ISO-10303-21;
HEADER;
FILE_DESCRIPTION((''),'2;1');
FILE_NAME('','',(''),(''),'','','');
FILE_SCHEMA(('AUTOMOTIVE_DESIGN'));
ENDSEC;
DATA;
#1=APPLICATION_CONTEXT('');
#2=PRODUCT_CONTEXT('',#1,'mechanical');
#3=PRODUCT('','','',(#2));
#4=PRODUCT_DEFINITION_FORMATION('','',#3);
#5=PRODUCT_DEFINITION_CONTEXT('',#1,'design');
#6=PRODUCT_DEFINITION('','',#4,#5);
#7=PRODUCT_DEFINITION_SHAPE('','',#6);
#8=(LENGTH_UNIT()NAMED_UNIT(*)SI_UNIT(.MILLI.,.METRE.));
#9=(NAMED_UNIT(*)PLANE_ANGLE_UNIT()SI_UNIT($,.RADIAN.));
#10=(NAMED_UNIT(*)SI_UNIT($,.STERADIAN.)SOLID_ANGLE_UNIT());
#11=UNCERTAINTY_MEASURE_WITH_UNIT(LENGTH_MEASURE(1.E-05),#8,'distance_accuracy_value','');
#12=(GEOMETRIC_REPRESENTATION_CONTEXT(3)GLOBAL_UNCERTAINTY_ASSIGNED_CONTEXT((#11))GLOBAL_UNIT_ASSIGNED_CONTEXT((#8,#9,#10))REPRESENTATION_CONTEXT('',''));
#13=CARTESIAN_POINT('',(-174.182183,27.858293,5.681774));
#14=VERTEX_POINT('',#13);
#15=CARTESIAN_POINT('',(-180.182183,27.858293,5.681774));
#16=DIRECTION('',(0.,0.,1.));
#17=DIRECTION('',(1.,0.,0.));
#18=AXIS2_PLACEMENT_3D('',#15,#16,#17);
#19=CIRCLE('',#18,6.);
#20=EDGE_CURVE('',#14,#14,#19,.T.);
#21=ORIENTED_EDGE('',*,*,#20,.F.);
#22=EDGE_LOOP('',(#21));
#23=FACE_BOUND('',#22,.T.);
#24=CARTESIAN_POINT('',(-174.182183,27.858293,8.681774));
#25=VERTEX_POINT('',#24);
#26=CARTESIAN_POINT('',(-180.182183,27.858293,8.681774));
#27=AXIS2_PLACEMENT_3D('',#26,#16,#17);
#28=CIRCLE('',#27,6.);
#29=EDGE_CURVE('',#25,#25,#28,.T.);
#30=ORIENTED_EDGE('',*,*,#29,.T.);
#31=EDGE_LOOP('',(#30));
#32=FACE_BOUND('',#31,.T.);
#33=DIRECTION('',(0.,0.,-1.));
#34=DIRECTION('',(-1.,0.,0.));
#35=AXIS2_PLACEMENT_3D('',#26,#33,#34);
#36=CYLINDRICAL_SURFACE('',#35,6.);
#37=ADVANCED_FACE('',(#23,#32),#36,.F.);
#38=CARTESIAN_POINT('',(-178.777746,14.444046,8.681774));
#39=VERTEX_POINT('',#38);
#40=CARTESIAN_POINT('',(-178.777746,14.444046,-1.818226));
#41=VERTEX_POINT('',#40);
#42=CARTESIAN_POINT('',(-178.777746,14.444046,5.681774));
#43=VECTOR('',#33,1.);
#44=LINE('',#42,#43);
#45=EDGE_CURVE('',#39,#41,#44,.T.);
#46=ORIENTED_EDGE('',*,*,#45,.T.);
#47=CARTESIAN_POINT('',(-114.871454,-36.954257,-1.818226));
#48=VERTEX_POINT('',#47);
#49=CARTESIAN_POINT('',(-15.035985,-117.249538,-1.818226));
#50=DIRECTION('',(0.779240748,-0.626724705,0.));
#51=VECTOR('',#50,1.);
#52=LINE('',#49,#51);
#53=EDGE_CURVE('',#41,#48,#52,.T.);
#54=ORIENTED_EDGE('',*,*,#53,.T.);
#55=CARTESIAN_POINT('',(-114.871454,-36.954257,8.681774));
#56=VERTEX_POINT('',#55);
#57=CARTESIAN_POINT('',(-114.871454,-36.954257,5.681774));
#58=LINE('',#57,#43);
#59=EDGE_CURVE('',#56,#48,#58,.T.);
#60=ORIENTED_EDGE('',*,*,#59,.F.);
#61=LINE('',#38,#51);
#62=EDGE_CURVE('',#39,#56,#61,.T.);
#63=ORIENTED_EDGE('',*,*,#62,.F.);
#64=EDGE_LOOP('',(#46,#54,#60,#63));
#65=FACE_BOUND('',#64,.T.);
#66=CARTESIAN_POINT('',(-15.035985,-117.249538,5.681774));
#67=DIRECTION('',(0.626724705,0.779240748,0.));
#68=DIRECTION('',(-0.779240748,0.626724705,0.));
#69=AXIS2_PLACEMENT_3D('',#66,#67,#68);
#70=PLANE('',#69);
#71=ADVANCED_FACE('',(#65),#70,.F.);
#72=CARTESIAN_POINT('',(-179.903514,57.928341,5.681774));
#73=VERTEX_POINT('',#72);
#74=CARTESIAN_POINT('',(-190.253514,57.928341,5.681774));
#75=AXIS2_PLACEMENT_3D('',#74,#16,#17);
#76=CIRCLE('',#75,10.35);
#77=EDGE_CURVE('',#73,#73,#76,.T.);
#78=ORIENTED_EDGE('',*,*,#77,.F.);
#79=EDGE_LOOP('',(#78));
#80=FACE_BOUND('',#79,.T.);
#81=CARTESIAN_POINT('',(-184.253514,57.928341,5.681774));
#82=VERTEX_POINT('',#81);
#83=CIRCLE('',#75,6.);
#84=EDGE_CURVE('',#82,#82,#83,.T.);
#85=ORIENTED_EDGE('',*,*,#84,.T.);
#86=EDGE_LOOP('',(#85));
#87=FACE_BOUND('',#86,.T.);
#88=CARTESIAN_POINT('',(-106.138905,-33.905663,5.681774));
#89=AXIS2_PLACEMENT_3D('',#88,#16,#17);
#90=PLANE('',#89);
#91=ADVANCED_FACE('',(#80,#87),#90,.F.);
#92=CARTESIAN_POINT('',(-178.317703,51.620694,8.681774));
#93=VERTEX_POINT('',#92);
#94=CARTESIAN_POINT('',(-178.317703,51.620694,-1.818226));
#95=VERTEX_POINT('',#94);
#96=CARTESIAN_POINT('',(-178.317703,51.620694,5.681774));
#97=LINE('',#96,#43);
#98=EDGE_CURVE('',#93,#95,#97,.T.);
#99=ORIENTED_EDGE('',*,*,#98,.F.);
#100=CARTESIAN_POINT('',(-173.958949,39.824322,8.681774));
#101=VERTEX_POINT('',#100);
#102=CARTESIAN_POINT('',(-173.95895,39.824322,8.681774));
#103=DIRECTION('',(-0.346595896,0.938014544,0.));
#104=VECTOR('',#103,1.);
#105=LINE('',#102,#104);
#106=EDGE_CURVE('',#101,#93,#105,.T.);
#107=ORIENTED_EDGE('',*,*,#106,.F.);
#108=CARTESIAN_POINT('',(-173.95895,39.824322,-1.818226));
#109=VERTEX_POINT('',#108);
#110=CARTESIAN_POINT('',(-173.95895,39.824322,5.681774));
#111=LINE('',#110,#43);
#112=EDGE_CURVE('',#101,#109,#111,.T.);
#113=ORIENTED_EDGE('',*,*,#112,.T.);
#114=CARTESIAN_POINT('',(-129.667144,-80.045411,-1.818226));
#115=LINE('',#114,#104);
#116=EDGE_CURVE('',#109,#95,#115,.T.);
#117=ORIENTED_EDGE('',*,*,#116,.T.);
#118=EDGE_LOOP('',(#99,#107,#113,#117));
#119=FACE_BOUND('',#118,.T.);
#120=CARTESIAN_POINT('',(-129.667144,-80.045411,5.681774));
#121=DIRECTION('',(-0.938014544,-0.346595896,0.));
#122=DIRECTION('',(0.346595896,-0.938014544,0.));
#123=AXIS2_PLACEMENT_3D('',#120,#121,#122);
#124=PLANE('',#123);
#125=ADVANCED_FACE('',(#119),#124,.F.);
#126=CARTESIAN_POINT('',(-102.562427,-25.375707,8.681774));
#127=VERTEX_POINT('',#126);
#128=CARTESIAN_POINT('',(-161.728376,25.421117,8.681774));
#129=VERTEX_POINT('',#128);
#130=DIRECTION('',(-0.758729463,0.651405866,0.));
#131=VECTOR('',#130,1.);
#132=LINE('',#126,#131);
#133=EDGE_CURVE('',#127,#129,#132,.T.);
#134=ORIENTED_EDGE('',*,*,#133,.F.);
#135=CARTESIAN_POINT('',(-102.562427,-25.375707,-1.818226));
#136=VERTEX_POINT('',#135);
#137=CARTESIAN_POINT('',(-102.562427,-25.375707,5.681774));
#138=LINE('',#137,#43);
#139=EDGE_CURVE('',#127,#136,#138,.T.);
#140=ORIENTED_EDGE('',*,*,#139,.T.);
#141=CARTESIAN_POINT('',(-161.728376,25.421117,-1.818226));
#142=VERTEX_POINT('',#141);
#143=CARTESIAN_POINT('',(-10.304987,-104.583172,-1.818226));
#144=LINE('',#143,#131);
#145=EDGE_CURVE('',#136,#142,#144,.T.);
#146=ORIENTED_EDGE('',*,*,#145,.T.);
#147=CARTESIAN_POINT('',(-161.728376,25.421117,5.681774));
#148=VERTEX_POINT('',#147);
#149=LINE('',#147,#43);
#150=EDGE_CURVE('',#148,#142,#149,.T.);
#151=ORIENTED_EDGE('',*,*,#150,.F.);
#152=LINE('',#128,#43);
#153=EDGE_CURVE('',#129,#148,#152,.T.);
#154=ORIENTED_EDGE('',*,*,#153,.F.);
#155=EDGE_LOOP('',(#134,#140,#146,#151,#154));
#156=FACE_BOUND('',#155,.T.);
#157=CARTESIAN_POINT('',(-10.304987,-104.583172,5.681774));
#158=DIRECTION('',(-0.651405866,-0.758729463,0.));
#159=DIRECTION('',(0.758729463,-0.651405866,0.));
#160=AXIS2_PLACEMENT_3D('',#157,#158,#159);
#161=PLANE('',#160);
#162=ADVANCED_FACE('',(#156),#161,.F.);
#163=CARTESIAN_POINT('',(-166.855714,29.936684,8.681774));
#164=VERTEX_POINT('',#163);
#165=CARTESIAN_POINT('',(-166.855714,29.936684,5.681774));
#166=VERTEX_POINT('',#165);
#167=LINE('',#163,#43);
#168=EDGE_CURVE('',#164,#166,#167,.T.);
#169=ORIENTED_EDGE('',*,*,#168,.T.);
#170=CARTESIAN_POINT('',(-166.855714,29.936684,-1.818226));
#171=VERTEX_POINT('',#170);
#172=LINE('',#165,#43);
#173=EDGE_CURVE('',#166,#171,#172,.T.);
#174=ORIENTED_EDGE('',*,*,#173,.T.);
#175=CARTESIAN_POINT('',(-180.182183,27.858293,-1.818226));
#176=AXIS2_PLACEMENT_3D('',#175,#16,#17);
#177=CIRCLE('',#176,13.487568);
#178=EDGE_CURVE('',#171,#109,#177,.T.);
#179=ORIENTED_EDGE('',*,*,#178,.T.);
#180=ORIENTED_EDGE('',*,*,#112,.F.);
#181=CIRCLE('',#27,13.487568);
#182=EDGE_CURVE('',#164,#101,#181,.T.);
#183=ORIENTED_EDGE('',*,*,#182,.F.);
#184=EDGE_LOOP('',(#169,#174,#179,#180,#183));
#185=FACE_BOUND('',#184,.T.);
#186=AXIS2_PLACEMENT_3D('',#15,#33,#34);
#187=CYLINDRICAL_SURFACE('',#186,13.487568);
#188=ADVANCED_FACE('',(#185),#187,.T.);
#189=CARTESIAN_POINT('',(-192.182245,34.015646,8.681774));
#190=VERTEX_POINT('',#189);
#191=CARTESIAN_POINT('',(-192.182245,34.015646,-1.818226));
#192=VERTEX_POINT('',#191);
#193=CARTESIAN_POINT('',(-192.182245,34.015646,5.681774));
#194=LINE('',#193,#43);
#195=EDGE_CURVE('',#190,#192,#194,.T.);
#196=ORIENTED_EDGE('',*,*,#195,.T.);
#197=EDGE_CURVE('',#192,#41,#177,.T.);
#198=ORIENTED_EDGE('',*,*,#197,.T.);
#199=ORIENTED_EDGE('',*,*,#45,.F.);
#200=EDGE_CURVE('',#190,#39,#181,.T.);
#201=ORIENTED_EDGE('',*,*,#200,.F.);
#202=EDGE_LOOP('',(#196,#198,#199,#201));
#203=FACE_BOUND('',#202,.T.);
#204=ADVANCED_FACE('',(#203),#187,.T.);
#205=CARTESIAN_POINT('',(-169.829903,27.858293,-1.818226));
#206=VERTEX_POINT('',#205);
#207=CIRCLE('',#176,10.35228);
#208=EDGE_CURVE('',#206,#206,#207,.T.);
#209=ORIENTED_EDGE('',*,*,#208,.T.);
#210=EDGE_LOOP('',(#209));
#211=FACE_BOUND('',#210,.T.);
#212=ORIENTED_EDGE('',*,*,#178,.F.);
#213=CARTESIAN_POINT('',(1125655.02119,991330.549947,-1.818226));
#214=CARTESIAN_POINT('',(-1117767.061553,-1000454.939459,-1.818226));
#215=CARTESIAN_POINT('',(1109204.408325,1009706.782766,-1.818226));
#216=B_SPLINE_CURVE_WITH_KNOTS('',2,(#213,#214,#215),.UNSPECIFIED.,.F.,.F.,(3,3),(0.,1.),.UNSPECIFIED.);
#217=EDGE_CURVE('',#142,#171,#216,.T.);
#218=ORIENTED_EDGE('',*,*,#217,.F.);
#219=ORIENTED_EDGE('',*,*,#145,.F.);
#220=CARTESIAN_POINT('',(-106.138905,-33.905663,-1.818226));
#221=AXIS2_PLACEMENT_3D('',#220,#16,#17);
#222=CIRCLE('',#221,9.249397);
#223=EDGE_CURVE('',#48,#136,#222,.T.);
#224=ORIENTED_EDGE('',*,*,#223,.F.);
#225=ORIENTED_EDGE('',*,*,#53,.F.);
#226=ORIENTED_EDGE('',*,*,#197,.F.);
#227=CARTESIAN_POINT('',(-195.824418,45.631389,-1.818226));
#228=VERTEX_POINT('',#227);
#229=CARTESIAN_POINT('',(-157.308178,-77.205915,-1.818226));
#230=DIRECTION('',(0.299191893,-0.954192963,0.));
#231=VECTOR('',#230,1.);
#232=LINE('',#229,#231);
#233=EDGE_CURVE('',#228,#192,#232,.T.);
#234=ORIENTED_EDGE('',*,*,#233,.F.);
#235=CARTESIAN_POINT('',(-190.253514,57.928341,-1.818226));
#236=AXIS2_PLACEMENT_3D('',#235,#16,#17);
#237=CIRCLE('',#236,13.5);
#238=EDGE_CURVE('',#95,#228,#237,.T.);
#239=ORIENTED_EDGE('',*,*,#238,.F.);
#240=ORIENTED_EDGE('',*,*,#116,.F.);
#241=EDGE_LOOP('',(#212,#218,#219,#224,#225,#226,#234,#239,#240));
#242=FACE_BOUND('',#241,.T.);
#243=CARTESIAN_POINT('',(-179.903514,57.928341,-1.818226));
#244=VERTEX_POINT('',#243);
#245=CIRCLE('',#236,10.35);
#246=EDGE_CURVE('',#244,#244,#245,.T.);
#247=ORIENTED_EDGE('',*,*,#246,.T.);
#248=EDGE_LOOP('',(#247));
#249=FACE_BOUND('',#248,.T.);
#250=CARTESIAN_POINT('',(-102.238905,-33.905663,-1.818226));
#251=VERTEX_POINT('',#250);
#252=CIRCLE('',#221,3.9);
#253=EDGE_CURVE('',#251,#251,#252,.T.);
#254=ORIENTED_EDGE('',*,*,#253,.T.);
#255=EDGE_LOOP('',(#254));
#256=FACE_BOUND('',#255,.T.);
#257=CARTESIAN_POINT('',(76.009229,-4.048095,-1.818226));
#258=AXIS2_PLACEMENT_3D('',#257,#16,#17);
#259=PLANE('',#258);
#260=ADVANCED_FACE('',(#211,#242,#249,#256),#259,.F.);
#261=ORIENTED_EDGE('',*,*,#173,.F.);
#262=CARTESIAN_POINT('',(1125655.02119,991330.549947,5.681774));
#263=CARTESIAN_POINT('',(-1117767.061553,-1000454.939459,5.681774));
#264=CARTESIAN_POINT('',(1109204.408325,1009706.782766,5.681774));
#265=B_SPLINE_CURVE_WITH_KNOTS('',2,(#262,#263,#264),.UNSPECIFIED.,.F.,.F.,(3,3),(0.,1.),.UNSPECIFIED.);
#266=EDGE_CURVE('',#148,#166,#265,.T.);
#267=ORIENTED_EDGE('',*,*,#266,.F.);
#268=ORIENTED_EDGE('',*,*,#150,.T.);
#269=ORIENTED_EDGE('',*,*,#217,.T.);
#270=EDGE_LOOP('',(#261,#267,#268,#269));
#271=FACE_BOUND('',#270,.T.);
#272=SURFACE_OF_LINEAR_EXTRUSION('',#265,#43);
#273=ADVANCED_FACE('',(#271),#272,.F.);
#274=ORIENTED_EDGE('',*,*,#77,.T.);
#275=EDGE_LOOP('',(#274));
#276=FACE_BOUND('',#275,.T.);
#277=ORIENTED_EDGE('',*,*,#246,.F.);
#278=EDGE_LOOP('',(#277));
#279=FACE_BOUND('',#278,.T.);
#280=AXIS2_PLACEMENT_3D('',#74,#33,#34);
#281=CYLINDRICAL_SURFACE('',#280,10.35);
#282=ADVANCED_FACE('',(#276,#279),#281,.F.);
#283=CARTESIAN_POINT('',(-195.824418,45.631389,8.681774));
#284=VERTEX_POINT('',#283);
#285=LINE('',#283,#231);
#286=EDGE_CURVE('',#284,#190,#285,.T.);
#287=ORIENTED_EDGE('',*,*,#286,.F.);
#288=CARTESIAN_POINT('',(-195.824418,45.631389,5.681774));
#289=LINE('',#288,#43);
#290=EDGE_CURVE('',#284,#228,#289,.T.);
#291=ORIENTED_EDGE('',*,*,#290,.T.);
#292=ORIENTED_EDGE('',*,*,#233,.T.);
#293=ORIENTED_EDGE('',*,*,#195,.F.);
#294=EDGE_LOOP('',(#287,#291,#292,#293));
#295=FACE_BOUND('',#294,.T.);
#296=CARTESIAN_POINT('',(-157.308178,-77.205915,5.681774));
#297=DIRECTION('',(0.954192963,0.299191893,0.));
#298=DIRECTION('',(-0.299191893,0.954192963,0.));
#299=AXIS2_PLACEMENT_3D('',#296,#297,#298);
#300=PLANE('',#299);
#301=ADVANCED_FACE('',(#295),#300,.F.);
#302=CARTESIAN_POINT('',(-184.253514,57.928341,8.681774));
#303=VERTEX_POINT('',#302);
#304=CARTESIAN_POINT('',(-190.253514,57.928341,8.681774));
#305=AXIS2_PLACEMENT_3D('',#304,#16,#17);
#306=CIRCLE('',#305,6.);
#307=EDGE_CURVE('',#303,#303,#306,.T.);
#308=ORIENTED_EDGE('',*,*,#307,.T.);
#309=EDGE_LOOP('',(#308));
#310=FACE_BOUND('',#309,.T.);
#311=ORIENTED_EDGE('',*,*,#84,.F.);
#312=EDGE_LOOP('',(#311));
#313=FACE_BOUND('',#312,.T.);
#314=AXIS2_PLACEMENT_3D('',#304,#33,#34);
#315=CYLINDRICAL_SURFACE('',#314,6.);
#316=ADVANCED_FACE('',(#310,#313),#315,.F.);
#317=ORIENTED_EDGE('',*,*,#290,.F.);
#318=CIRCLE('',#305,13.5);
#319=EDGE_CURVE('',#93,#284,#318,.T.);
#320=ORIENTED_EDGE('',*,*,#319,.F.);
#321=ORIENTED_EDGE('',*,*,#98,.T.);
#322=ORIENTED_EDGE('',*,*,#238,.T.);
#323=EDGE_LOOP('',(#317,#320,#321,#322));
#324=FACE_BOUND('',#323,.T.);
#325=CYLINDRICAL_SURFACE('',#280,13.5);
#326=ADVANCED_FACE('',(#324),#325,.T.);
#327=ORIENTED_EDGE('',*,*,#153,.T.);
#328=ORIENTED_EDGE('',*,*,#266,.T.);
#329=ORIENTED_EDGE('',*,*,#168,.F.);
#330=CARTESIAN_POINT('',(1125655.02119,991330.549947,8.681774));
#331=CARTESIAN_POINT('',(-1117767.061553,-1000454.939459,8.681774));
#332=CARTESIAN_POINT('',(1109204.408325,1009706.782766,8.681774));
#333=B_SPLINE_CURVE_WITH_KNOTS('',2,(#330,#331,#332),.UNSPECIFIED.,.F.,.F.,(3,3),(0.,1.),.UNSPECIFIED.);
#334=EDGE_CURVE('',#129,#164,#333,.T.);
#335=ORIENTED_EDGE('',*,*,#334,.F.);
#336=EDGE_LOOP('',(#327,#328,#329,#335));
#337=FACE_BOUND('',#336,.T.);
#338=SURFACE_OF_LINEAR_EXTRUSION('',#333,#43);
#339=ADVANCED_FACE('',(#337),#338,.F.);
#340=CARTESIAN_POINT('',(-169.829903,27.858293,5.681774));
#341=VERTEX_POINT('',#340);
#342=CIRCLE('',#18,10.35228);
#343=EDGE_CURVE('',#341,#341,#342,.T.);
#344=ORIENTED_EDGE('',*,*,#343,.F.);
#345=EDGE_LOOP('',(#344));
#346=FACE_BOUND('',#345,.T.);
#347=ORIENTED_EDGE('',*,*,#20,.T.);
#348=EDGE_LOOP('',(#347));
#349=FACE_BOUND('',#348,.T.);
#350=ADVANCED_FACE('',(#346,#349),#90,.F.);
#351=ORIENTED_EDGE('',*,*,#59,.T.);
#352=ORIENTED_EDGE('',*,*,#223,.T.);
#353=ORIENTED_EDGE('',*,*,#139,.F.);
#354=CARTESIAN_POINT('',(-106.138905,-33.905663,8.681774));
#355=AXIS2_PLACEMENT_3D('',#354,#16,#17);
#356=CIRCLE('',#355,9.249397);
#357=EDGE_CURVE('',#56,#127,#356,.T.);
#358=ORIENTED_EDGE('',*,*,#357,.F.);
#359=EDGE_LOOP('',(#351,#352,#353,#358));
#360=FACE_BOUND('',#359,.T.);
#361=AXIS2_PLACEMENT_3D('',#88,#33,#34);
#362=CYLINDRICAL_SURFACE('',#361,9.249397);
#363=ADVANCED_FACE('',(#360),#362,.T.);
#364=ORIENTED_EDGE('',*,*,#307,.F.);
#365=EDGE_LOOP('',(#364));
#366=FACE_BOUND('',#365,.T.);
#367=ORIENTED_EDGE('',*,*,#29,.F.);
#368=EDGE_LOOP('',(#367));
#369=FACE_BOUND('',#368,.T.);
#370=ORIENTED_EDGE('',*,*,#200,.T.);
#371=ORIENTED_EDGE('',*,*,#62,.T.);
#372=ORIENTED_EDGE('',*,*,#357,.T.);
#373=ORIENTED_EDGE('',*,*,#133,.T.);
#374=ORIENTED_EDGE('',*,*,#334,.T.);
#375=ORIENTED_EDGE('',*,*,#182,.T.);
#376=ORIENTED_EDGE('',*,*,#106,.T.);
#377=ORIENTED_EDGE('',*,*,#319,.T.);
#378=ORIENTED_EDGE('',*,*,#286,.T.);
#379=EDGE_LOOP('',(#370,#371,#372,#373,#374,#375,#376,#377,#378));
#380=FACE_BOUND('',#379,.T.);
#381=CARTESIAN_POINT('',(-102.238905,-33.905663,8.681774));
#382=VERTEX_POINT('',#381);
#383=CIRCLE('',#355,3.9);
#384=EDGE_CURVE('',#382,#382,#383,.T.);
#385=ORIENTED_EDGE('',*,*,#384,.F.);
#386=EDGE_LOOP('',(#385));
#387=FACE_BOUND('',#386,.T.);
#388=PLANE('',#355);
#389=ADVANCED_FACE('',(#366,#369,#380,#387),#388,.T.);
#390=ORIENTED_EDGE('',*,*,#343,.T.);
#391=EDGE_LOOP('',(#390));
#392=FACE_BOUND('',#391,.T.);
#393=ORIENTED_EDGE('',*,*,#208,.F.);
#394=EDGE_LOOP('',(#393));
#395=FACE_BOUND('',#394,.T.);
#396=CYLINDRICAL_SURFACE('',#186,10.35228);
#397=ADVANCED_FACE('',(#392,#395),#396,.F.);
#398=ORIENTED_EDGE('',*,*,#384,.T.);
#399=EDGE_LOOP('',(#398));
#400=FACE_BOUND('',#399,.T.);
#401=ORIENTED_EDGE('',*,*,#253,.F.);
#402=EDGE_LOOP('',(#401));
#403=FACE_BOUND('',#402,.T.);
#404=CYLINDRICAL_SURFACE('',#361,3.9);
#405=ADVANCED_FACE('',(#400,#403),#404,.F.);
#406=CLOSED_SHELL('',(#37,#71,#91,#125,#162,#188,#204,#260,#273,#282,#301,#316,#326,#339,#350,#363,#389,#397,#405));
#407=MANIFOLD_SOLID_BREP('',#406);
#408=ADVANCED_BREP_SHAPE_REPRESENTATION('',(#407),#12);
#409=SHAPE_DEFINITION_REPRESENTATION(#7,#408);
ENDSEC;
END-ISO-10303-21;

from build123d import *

# Parameters (mm, degrees)
SKETCH1_R           = 6.901519969
SKETCH1_R_2         = 6.9
SKETCH1_R_3         = 2.6
BOSS_EXTRUDE1_DEPTH = 5
SKETCH2_R           = 4
SKETCH2_R_2         = 2.6
BOSS_EXTRUDE2_DEPTH = 2
SCALE1_SCALE        = 1.5


with BuildPart() as part:
    # Sketch1 → Boss-Extrude1 (new body)
    with BuildSketch(Plane.XY):
        with BuildLine():
            Line((-119.047770685, -14.21840763), (-158.491736924, 19.646141241))
            add(Edge.make_bspline(
                [(-158.491736924, 19.646141241), (-160.313597407, 21.050397122), (-161.909962094, 22.656519407)],
                knots=[0, 0, 0, 1, 1, 1], degree=2))
            ThreePointArc((-161.909962094, 22.656519407), (-163.491640093, 26.517106064), (-166.64545249, 29.248278339))
            Line((-166.64545249, 29.248278339), (-169.551288031, 37.112526103))
            ThreePointArc((-169.551288031, 37.112526103), (-180.421756419, 49.833075564), (-181.222431589, 33.119656379))
            Line((-181.222431589, 33.119656379), (-178.794316039, 25.37582765))
            ThreePointArc((-178.794316039, 25.37582765), (-178.212831269, 16.189990788), (-169.857983808, 12.328093938))
            Line((-169.857983808, 12.328093938), (-127.253789064, -21.937441374))
            ThreePointArc((-127.253789064, -21.937441374), (-117.207191003, -24.396487309), (-119.047770685, -14.21840763))
        make_face()
        with Locations((-170.794274728, 21.270925714)):
            Circle(SKETCH1_R, mode=Mode.SUBTRACT)
        with Locations((-177.508495403, 41.317624299)):
            Circle(SKETCH1_R_2, mode=Mode.SUBTRACT)
        with Locations((-121.432089481, -19.905045023)):
            Circle(SKETCH1_R_3, mode=Mode.SUBTRACT)
    extrude(amount=BOSS_EXTRUDE1_DEPTH)

    # Sketch2 → Boss-Extrude2 (add)
    with BuildSketch(Plane.XY.offset(5)):
        with BuildLine():
            Line((-119.047770685, -14.21840763), (-158.491736924, 19.646141241))
            add(Edge.make_bspline(
                [(-158.491736924, 19.646141241), (-160.313597387, 21.050397106), (-161.909962058, 22.656519371)],
                knots=[0, 0, 0, 1, 1, 1], degree=2))
            ThreePointArc((-161.909962058, 22.656519371), (-163.491640057, 26.517106064), (-166.64545249, 29.248278339))
            Line((-166.64545249, 29.248278339), (-169.551288031, 37.112526103))
            ThreePointArc((-169.551288031, 37.112526103), (-180.421756419, 49.833075564), (-181.222431589, 33.119656379))
            Line((-181.222431589, 33.119656379), (-178.794316039, 25.37582765))
            ThreePointArc((-178.794316039, 25.37582765), (-178.212831269, 16.189990788), (-169.857983808, 12.328093938))
            Line((-169.857983808, 12.328093938), (-127.253789064, -21.937441374))
            ThreePointArc((-127.253789064, -21.937441374), (-117.207191003, -24.396487309), (-119.047770685, -14.21840763))
        make_face()
        with Locations((-177.508495403, 41.317624299)):
            Circle(SKETCH2_R, mode=Mode.SUBTRACT)
        with Locations((-170.794274728, 21.270925714)):
            Circle(SKETCH2_R, mode=Mode.SUBTRACT)
        with Locations((-121.432089481, -19.905045023)):
            Circle(SKETCH2_R_2, mode=Mode.SUBTRACT)
    extrude(amount=BOSS_EXTRUDE2_DEPTH)


with BuildPart() as part_1:
    # Scale1: scaled about (-152.018458466, 8.096190601, 3.636452689)
    add(part.part.scale(SCALE1_SCALE).moved(Location((76.009229233, -4.0480953, -1.818226344))))


solid = part_1.part
